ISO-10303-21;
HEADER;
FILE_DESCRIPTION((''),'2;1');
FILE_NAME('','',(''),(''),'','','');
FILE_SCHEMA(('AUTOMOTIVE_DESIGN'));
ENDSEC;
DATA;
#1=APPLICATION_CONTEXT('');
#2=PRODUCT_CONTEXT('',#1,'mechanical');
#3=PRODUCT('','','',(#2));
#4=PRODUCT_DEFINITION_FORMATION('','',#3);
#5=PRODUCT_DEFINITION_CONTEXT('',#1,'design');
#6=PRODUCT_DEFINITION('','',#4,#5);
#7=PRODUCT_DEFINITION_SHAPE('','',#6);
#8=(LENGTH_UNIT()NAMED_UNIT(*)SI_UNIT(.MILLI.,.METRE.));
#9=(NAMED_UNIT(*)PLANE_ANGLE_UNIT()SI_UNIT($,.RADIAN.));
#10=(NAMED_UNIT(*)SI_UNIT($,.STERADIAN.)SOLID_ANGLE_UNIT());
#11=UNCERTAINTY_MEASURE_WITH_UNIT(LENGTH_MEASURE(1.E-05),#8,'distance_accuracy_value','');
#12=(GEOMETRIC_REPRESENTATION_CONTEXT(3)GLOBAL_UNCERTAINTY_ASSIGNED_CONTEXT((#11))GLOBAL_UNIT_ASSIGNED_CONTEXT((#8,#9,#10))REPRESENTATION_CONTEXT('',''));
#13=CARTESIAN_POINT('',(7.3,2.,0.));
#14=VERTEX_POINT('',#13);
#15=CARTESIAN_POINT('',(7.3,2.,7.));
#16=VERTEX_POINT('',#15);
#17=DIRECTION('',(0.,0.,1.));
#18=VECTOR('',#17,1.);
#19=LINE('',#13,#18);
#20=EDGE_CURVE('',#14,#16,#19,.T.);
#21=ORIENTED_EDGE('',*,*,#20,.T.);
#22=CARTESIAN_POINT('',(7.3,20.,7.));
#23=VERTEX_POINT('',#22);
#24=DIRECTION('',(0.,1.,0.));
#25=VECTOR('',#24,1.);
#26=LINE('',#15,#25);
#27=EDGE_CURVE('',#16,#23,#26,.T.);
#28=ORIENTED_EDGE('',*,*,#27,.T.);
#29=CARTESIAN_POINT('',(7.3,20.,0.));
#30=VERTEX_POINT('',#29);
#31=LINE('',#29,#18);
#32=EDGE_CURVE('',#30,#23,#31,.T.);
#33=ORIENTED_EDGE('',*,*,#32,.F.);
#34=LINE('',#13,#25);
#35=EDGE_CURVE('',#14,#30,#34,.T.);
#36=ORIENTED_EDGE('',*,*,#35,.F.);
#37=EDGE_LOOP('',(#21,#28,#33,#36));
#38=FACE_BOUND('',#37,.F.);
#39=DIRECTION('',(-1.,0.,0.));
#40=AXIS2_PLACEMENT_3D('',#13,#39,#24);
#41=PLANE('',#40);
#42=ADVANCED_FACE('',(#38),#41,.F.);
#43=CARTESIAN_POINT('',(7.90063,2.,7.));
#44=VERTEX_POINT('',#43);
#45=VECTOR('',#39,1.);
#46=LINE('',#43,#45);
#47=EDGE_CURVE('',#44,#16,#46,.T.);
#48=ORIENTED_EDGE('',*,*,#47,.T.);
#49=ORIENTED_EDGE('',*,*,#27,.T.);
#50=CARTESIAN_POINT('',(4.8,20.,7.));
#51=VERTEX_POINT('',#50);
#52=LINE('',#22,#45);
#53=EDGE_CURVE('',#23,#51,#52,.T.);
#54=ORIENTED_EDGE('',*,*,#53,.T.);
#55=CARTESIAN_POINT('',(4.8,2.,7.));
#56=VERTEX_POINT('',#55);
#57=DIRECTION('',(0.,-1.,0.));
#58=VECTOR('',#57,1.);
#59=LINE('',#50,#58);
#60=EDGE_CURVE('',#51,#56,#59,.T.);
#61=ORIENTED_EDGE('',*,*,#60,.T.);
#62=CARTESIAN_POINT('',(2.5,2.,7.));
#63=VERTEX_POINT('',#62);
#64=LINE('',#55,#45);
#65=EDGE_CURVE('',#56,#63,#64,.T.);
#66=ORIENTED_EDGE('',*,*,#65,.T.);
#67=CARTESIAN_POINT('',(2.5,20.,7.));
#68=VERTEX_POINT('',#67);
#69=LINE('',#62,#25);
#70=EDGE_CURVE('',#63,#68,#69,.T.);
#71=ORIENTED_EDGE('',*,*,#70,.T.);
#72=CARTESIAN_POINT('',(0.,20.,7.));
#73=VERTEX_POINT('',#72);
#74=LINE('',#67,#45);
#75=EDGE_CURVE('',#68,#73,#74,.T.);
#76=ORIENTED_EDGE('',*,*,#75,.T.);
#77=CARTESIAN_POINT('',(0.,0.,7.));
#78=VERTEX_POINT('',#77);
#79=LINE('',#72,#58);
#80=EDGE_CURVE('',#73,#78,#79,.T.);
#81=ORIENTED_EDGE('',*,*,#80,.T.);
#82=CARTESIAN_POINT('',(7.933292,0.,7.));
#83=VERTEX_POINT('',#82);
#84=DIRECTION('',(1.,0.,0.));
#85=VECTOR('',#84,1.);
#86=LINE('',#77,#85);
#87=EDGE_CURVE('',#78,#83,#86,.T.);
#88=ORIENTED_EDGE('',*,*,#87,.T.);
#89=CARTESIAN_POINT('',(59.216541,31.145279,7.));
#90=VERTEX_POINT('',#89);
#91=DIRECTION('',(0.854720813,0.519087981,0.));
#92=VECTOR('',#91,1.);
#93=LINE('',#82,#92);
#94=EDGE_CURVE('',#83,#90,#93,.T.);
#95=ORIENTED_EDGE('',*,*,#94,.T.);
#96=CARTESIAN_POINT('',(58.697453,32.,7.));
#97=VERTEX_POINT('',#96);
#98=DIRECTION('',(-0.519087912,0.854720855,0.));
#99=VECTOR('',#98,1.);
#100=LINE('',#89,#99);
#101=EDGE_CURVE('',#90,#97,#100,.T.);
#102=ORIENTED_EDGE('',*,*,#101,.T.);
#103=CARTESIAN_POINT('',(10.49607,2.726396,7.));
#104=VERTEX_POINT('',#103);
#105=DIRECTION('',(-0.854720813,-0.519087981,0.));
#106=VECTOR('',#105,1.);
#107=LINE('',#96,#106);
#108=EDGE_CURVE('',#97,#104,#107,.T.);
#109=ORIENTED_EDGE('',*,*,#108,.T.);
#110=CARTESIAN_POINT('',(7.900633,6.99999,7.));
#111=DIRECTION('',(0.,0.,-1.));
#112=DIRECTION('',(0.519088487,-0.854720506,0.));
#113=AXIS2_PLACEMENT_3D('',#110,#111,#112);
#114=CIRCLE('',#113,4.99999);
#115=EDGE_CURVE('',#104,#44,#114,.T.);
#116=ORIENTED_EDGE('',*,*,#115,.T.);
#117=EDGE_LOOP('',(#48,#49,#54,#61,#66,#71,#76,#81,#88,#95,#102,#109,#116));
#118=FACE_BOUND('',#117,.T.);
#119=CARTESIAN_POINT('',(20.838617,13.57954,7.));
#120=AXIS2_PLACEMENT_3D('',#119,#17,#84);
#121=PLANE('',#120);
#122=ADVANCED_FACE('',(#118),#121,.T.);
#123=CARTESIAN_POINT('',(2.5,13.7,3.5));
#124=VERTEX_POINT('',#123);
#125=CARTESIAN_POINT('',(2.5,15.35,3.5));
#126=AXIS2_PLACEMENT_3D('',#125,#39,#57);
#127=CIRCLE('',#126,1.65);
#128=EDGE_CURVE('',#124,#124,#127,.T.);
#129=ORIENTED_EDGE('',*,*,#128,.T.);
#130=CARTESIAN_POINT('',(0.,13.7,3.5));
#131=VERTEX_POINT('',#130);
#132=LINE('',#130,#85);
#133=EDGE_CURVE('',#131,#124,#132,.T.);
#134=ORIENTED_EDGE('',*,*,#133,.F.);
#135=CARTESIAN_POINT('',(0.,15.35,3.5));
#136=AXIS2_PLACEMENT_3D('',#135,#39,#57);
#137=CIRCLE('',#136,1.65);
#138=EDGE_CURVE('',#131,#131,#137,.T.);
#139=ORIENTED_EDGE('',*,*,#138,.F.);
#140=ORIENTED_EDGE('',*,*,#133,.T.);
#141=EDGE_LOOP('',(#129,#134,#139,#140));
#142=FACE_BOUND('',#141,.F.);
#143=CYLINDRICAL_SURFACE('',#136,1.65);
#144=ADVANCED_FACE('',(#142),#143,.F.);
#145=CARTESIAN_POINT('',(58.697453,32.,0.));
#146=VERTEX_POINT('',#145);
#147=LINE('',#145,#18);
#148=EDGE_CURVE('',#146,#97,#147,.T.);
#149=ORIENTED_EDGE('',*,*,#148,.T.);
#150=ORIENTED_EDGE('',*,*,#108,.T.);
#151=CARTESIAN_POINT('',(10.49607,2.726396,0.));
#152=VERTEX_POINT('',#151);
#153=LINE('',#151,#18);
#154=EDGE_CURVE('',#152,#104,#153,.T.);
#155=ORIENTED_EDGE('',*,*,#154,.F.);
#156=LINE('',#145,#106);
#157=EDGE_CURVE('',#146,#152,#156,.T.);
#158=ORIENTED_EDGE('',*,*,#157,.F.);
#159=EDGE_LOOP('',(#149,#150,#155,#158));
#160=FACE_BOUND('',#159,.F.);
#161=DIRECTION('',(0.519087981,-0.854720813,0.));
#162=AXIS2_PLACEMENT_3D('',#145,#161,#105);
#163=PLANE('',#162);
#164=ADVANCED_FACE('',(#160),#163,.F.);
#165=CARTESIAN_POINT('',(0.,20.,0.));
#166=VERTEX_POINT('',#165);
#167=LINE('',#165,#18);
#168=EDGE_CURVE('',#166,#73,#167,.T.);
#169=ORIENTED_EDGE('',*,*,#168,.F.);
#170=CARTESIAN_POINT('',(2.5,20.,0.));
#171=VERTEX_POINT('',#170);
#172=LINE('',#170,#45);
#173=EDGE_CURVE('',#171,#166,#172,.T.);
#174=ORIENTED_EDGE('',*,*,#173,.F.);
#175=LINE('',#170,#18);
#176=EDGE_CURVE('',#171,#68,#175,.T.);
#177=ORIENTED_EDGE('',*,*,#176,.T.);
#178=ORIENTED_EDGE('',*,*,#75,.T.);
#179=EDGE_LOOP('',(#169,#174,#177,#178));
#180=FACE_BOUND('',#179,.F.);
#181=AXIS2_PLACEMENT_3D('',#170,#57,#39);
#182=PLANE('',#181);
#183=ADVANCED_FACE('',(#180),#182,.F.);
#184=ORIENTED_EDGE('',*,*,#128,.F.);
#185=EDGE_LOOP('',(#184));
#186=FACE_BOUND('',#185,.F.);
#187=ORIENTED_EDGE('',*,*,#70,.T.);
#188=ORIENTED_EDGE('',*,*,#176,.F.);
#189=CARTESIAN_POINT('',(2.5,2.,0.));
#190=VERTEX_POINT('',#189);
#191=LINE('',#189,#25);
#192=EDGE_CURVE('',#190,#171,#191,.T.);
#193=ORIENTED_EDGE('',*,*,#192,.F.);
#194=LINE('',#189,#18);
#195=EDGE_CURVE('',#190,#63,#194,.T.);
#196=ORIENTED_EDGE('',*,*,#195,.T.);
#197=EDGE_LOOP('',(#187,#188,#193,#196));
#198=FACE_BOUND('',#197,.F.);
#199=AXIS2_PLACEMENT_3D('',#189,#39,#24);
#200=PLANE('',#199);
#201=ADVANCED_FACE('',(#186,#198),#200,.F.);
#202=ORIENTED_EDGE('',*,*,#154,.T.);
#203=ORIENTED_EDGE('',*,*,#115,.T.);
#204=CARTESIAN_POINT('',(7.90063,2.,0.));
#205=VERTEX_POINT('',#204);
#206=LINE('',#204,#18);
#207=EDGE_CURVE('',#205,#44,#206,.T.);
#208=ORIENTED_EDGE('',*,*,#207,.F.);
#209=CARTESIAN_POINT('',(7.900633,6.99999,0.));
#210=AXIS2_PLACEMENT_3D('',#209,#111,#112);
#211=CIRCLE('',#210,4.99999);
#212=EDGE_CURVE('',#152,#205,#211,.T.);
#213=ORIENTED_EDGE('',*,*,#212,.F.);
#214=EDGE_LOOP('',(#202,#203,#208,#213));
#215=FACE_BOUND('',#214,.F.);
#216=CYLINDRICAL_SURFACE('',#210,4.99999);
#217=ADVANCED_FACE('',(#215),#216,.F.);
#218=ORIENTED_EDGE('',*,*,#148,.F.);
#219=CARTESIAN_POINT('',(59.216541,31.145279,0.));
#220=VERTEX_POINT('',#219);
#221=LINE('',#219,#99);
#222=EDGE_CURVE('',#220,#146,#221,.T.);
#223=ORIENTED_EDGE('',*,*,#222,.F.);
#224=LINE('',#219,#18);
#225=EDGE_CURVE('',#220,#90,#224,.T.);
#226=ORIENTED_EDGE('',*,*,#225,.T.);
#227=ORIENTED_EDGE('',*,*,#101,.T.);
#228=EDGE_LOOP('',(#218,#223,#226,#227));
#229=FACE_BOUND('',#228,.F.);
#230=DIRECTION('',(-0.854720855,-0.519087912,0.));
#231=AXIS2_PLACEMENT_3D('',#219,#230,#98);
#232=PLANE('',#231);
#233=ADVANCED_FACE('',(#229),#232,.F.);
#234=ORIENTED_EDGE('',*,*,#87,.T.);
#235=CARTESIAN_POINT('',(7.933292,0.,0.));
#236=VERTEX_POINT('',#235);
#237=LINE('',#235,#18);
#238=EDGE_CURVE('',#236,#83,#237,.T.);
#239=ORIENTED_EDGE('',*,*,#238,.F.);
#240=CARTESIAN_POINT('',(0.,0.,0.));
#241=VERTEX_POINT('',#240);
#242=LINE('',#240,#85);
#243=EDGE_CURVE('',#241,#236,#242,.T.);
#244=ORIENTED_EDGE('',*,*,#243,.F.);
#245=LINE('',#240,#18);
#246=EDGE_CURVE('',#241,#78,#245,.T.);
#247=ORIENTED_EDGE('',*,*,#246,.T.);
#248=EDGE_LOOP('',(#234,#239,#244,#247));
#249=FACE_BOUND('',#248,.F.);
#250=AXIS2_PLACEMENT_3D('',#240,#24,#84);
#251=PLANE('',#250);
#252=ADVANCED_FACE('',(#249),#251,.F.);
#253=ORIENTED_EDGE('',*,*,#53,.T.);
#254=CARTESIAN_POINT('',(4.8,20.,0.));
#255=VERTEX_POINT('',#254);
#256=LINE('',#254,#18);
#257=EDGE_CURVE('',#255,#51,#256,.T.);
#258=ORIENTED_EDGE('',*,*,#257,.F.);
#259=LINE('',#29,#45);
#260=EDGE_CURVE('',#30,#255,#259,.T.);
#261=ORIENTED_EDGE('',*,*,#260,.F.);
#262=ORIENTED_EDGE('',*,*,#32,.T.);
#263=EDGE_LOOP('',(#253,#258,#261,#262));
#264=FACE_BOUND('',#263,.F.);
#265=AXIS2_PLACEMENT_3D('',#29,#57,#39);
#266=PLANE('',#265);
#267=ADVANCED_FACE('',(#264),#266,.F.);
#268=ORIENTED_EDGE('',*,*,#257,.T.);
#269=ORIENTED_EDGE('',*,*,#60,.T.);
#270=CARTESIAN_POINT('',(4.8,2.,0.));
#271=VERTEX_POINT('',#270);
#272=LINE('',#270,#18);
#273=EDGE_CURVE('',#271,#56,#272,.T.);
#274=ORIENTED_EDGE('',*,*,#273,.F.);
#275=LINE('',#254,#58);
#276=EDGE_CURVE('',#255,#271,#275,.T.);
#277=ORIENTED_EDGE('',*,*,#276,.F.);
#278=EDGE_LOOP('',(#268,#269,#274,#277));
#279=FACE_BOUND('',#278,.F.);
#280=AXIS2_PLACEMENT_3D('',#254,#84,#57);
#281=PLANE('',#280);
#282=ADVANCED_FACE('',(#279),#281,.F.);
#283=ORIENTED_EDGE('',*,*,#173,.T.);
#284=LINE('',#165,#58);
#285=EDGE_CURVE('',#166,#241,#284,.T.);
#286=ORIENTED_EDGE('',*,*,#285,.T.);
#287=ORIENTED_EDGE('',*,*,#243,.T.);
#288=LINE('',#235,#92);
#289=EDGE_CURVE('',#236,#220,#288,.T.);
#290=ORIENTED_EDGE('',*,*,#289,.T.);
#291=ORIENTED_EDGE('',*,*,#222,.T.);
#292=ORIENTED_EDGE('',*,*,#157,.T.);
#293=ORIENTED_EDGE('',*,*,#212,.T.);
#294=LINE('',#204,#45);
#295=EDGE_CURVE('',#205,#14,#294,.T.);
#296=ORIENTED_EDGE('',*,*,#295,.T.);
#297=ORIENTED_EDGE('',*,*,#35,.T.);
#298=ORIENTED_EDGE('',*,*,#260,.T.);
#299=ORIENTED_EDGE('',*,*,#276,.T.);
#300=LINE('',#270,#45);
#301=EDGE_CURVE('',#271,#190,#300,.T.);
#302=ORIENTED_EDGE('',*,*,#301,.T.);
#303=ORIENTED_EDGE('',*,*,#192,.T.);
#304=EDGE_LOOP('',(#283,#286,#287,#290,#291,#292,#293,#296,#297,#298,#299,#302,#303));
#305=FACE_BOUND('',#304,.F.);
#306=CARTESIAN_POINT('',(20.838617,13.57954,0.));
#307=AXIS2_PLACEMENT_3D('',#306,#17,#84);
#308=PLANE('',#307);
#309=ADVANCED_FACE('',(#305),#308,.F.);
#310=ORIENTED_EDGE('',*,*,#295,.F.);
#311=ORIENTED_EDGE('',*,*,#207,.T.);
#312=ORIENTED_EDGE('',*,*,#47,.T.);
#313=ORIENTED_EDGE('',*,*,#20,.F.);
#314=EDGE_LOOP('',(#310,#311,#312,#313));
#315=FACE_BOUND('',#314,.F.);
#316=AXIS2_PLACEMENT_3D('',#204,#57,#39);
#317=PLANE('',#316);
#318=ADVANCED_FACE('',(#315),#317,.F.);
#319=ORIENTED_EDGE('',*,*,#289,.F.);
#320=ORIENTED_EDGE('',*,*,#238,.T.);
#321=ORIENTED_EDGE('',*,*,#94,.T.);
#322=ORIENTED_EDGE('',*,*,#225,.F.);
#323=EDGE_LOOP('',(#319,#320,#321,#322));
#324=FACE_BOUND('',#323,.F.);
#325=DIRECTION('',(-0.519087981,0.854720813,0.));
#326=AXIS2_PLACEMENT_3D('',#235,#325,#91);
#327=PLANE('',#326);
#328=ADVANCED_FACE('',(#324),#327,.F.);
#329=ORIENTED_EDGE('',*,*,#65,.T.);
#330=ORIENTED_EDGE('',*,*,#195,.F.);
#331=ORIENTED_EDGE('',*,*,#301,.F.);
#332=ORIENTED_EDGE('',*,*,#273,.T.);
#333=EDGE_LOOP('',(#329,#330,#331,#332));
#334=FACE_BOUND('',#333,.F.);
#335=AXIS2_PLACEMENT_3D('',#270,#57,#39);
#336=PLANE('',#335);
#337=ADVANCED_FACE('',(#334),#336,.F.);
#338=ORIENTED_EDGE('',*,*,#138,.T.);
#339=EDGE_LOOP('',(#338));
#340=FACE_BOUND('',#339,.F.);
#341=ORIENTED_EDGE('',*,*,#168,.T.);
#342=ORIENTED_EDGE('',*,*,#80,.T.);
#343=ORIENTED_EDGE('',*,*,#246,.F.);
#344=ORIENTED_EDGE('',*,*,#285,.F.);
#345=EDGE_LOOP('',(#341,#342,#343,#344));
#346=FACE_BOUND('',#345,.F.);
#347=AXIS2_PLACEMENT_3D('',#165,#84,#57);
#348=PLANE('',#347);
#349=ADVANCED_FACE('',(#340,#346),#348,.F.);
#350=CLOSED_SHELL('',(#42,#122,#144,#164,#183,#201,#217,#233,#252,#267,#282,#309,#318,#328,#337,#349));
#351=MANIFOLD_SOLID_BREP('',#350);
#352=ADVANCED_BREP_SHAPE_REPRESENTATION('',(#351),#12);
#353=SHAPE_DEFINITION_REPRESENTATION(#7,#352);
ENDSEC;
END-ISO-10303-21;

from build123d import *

# Parameters (mm, degrees)
F1_DEPTH = 7
F2_R     = 1.65
F3_DEPTH = 2.5


with BuildPart() as f1:
    # F0 (on Top) → F1 (new body)
    with BuildSketch(Plane.XY):
        with BuildLine():
            Line((0, 20), (0, 0))
            Line((0, 0), (7.933292, 0))
            Line((7.933292, 0), (59.216541, 31.145279))
            Line((59.216541, 31.145279), (58.697453, 32))
            Line((58.697453, 32), (10.49607, 2.726396))
            ThreePointArc((10.49607, 2.726396), (9.248217, 2.185022), (7.90063, 2))
            Line((7.90063, 2), (7.3, 2))
            Line((7.3, 2), (7.3, 20))
            Line((7.3, 20), (4.8, 20))
            Line((4.8, 20), (4.8, 2))
            Line((4.8, 2), (2.5, 2))
            Line((2.5, 2), (2.5, 20))
            Line((2.5, 20), (0, 20))
        make_face()
    extrude(amount=F1_DEPTH)

    # F2 (on face) → F3 (cut, through all)
    with BuildSketch(Plane(origin=(0, 0, 0), x_dir=(0, -1, 0), z_dir=(-1, 0, 0))):
        with Locations((-15.35, 3.5)):
            Circle(F2_R)
    extrude(amount=-F3_DEPTH, mode=Mode.SUBTRACT)


solid = f1.part
